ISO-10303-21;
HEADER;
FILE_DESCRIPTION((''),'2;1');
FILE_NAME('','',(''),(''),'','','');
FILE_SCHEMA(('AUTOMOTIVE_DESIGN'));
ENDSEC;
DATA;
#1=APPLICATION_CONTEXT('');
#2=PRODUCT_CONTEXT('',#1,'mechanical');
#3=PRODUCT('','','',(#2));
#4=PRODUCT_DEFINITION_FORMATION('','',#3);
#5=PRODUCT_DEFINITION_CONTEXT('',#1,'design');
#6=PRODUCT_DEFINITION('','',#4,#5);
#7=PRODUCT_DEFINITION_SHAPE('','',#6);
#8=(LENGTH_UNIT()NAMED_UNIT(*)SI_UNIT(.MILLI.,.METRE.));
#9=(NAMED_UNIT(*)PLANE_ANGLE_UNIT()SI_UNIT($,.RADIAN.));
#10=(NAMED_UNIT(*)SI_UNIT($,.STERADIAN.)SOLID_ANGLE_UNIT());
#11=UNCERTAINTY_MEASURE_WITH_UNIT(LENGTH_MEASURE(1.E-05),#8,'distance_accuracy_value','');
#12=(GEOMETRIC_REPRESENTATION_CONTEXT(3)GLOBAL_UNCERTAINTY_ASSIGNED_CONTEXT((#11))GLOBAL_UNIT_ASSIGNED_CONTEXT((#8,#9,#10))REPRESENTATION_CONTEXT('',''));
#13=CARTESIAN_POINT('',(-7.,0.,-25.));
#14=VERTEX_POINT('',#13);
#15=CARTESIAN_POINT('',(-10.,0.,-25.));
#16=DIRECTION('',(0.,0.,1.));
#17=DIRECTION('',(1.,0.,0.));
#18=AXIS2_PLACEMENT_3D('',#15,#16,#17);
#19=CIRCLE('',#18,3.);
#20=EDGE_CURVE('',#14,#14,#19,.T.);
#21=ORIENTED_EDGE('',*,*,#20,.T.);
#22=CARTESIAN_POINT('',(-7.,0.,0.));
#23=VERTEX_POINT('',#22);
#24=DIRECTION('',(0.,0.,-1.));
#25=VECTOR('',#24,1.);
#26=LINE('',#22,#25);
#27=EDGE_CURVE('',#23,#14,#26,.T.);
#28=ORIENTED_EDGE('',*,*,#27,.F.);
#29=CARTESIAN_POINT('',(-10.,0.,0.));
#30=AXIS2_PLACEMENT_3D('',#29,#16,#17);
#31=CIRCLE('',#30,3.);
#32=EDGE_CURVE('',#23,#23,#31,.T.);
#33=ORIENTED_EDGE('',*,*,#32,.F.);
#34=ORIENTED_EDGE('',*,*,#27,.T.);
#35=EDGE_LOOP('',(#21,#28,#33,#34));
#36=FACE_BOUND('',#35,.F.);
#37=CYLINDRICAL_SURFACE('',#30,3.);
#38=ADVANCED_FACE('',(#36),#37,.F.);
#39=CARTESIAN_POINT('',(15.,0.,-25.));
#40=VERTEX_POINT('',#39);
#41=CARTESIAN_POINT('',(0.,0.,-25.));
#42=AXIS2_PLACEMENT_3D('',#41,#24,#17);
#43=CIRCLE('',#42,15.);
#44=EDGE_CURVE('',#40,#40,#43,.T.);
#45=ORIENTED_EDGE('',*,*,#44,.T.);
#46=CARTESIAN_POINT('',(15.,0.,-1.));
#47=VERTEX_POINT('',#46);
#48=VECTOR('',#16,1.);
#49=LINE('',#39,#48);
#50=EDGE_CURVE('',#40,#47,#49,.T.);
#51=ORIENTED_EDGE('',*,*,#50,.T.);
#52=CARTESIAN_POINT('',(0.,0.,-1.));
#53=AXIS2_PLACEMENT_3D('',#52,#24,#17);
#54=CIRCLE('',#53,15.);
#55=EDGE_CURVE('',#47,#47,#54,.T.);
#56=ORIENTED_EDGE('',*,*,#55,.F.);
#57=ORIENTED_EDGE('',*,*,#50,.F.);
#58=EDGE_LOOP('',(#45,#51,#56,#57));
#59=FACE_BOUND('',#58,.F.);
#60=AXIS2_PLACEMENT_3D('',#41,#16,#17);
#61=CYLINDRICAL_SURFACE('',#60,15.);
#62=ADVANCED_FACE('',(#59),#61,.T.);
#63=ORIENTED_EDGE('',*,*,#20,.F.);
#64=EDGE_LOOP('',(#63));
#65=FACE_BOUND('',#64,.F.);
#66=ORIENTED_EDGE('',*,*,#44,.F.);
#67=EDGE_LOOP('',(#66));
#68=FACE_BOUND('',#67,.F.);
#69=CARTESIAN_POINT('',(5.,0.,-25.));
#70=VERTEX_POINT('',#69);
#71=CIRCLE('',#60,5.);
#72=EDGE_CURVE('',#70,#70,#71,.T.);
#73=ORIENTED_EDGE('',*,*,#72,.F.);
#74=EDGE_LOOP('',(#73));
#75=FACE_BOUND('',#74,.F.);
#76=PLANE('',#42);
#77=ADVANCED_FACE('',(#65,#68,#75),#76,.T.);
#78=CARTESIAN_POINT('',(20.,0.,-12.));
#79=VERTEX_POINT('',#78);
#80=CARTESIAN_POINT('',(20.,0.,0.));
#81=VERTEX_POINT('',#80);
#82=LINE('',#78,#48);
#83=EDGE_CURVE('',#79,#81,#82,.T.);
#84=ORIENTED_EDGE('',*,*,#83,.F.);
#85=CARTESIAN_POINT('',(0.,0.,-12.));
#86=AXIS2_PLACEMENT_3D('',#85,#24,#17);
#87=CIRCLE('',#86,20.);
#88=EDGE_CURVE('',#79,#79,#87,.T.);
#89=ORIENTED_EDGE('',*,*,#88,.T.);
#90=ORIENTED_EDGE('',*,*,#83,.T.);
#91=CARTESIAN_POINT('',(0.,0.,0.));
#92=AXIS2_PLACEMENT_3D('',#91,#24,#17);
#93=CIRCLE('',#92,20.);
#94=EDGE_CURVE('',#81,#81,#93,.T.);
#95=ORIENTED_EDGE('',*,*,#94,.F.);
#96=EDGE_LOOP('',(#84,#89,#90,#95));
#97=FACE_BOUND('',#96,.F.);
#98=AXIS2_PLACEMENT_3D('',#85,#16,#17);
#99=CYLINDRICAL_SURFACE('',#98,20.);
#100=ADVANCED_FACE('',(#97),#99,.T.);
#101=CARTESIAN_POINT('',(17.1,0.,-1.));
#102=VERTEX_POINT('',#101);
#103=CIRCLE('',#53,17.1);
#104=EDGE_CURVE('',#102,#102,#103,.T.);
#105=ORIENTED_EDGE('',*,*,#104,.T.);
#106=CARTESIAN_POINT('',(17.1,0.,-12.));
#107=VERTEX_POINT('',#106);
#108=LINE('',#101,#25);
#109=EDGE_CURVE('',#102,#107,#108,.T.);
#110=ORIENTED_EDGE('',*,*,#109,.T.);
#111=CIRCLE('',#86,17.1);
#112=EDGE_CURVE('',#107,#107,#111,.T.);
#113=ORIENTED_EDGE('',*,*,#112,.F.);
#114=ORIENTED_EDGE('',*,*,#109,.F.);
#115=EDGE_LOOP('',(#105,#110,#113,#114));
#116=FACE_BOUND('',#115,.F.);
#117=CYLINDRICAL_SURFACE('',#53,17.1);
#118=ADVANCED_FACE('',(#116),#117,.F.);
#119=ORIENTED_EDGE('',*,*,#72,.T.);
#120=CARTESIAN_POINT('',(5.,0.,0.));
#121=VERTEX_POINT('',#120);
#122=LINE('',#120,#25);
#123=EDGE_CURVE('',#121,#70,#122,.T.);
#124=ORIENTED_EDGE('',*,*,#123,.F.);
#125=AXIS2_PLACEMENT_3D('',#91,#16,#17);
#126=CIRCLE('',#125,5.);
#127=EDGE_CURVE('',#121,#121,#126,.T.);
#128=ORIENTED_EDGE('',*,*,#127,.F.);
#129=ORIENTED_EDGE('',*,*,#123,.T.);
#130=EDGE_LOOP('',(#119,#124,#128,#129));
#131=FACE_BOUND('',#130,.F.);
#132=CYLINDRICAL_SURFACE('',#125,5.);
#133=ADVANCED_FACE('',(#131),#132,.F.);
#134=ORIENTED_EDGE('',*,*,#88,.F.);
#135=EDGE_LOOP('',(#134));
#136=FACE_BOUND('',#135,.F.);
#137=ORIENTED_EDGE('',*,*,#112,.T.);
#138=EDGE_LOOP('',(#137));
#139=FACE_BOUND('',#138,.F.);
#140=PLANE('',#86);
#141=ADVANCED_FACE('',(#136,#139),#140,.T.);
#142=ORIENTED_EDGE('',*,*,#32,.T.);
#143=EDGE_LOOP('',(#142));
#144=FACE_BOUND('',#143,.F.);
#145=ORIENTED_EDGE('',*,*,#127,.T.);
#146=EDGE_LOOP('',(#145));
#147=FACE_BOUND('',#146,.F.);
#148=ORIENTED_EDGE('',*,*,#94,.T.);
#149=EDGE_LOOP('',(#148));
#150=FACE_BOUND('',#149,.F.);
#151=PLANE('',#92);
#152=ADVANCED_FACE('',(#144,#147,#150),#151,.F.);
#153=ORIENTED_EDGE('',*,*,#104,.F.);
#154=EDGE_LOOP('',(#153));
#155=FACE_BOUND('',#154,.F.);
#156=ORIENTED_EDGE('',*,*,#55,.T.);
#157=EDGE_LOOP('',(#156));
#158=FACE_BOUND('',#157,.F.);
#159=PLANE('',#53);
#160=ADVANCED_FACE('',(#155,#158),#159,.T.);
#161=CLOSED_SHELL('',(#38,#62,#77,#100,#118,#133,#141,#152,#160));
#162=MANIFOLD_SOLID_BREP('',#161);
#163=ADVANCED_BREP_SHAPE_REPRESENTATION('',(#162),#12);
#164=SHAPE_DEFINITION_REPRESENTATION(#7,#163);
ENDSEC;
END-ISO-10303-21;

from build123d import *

# Parameters (mm, degrees)
F2_R     = 5
F3_DEPTH = 25.001
F4_R     = 3
F5_DEPTH = 25.001


with BuildPart() as f1:
    # F0 (on Front) → F1 (revolve)
    with BuildSketch(Plane.XZ):
        Polygon((20, 0), (0, 0), (0, -25), (15, -25), (15, -1), (17.1, -1), (17.1, -12), (20, -12), align=None)
    revolve(axis=Axis((0, 0, -20.761178), (0, 0, -1)))

    # F2 (on Top) → F3 (cut, through all)
    with BuildSketch(Plane.XY):
        Circle(F2_R)
    extrude(amount=-F3_DEPTH, mode=Mode.SUBTRACT)

    # F4 (on face) → F5 (cut, through all)
    with BuildSketch(Plane.XY):
        with Locations((-10, 0)):
            Circle(F4_R)
    extrude(amount=-F5_DEPTH, mode=Mode.SUBTRACT)


solid = f1.part
